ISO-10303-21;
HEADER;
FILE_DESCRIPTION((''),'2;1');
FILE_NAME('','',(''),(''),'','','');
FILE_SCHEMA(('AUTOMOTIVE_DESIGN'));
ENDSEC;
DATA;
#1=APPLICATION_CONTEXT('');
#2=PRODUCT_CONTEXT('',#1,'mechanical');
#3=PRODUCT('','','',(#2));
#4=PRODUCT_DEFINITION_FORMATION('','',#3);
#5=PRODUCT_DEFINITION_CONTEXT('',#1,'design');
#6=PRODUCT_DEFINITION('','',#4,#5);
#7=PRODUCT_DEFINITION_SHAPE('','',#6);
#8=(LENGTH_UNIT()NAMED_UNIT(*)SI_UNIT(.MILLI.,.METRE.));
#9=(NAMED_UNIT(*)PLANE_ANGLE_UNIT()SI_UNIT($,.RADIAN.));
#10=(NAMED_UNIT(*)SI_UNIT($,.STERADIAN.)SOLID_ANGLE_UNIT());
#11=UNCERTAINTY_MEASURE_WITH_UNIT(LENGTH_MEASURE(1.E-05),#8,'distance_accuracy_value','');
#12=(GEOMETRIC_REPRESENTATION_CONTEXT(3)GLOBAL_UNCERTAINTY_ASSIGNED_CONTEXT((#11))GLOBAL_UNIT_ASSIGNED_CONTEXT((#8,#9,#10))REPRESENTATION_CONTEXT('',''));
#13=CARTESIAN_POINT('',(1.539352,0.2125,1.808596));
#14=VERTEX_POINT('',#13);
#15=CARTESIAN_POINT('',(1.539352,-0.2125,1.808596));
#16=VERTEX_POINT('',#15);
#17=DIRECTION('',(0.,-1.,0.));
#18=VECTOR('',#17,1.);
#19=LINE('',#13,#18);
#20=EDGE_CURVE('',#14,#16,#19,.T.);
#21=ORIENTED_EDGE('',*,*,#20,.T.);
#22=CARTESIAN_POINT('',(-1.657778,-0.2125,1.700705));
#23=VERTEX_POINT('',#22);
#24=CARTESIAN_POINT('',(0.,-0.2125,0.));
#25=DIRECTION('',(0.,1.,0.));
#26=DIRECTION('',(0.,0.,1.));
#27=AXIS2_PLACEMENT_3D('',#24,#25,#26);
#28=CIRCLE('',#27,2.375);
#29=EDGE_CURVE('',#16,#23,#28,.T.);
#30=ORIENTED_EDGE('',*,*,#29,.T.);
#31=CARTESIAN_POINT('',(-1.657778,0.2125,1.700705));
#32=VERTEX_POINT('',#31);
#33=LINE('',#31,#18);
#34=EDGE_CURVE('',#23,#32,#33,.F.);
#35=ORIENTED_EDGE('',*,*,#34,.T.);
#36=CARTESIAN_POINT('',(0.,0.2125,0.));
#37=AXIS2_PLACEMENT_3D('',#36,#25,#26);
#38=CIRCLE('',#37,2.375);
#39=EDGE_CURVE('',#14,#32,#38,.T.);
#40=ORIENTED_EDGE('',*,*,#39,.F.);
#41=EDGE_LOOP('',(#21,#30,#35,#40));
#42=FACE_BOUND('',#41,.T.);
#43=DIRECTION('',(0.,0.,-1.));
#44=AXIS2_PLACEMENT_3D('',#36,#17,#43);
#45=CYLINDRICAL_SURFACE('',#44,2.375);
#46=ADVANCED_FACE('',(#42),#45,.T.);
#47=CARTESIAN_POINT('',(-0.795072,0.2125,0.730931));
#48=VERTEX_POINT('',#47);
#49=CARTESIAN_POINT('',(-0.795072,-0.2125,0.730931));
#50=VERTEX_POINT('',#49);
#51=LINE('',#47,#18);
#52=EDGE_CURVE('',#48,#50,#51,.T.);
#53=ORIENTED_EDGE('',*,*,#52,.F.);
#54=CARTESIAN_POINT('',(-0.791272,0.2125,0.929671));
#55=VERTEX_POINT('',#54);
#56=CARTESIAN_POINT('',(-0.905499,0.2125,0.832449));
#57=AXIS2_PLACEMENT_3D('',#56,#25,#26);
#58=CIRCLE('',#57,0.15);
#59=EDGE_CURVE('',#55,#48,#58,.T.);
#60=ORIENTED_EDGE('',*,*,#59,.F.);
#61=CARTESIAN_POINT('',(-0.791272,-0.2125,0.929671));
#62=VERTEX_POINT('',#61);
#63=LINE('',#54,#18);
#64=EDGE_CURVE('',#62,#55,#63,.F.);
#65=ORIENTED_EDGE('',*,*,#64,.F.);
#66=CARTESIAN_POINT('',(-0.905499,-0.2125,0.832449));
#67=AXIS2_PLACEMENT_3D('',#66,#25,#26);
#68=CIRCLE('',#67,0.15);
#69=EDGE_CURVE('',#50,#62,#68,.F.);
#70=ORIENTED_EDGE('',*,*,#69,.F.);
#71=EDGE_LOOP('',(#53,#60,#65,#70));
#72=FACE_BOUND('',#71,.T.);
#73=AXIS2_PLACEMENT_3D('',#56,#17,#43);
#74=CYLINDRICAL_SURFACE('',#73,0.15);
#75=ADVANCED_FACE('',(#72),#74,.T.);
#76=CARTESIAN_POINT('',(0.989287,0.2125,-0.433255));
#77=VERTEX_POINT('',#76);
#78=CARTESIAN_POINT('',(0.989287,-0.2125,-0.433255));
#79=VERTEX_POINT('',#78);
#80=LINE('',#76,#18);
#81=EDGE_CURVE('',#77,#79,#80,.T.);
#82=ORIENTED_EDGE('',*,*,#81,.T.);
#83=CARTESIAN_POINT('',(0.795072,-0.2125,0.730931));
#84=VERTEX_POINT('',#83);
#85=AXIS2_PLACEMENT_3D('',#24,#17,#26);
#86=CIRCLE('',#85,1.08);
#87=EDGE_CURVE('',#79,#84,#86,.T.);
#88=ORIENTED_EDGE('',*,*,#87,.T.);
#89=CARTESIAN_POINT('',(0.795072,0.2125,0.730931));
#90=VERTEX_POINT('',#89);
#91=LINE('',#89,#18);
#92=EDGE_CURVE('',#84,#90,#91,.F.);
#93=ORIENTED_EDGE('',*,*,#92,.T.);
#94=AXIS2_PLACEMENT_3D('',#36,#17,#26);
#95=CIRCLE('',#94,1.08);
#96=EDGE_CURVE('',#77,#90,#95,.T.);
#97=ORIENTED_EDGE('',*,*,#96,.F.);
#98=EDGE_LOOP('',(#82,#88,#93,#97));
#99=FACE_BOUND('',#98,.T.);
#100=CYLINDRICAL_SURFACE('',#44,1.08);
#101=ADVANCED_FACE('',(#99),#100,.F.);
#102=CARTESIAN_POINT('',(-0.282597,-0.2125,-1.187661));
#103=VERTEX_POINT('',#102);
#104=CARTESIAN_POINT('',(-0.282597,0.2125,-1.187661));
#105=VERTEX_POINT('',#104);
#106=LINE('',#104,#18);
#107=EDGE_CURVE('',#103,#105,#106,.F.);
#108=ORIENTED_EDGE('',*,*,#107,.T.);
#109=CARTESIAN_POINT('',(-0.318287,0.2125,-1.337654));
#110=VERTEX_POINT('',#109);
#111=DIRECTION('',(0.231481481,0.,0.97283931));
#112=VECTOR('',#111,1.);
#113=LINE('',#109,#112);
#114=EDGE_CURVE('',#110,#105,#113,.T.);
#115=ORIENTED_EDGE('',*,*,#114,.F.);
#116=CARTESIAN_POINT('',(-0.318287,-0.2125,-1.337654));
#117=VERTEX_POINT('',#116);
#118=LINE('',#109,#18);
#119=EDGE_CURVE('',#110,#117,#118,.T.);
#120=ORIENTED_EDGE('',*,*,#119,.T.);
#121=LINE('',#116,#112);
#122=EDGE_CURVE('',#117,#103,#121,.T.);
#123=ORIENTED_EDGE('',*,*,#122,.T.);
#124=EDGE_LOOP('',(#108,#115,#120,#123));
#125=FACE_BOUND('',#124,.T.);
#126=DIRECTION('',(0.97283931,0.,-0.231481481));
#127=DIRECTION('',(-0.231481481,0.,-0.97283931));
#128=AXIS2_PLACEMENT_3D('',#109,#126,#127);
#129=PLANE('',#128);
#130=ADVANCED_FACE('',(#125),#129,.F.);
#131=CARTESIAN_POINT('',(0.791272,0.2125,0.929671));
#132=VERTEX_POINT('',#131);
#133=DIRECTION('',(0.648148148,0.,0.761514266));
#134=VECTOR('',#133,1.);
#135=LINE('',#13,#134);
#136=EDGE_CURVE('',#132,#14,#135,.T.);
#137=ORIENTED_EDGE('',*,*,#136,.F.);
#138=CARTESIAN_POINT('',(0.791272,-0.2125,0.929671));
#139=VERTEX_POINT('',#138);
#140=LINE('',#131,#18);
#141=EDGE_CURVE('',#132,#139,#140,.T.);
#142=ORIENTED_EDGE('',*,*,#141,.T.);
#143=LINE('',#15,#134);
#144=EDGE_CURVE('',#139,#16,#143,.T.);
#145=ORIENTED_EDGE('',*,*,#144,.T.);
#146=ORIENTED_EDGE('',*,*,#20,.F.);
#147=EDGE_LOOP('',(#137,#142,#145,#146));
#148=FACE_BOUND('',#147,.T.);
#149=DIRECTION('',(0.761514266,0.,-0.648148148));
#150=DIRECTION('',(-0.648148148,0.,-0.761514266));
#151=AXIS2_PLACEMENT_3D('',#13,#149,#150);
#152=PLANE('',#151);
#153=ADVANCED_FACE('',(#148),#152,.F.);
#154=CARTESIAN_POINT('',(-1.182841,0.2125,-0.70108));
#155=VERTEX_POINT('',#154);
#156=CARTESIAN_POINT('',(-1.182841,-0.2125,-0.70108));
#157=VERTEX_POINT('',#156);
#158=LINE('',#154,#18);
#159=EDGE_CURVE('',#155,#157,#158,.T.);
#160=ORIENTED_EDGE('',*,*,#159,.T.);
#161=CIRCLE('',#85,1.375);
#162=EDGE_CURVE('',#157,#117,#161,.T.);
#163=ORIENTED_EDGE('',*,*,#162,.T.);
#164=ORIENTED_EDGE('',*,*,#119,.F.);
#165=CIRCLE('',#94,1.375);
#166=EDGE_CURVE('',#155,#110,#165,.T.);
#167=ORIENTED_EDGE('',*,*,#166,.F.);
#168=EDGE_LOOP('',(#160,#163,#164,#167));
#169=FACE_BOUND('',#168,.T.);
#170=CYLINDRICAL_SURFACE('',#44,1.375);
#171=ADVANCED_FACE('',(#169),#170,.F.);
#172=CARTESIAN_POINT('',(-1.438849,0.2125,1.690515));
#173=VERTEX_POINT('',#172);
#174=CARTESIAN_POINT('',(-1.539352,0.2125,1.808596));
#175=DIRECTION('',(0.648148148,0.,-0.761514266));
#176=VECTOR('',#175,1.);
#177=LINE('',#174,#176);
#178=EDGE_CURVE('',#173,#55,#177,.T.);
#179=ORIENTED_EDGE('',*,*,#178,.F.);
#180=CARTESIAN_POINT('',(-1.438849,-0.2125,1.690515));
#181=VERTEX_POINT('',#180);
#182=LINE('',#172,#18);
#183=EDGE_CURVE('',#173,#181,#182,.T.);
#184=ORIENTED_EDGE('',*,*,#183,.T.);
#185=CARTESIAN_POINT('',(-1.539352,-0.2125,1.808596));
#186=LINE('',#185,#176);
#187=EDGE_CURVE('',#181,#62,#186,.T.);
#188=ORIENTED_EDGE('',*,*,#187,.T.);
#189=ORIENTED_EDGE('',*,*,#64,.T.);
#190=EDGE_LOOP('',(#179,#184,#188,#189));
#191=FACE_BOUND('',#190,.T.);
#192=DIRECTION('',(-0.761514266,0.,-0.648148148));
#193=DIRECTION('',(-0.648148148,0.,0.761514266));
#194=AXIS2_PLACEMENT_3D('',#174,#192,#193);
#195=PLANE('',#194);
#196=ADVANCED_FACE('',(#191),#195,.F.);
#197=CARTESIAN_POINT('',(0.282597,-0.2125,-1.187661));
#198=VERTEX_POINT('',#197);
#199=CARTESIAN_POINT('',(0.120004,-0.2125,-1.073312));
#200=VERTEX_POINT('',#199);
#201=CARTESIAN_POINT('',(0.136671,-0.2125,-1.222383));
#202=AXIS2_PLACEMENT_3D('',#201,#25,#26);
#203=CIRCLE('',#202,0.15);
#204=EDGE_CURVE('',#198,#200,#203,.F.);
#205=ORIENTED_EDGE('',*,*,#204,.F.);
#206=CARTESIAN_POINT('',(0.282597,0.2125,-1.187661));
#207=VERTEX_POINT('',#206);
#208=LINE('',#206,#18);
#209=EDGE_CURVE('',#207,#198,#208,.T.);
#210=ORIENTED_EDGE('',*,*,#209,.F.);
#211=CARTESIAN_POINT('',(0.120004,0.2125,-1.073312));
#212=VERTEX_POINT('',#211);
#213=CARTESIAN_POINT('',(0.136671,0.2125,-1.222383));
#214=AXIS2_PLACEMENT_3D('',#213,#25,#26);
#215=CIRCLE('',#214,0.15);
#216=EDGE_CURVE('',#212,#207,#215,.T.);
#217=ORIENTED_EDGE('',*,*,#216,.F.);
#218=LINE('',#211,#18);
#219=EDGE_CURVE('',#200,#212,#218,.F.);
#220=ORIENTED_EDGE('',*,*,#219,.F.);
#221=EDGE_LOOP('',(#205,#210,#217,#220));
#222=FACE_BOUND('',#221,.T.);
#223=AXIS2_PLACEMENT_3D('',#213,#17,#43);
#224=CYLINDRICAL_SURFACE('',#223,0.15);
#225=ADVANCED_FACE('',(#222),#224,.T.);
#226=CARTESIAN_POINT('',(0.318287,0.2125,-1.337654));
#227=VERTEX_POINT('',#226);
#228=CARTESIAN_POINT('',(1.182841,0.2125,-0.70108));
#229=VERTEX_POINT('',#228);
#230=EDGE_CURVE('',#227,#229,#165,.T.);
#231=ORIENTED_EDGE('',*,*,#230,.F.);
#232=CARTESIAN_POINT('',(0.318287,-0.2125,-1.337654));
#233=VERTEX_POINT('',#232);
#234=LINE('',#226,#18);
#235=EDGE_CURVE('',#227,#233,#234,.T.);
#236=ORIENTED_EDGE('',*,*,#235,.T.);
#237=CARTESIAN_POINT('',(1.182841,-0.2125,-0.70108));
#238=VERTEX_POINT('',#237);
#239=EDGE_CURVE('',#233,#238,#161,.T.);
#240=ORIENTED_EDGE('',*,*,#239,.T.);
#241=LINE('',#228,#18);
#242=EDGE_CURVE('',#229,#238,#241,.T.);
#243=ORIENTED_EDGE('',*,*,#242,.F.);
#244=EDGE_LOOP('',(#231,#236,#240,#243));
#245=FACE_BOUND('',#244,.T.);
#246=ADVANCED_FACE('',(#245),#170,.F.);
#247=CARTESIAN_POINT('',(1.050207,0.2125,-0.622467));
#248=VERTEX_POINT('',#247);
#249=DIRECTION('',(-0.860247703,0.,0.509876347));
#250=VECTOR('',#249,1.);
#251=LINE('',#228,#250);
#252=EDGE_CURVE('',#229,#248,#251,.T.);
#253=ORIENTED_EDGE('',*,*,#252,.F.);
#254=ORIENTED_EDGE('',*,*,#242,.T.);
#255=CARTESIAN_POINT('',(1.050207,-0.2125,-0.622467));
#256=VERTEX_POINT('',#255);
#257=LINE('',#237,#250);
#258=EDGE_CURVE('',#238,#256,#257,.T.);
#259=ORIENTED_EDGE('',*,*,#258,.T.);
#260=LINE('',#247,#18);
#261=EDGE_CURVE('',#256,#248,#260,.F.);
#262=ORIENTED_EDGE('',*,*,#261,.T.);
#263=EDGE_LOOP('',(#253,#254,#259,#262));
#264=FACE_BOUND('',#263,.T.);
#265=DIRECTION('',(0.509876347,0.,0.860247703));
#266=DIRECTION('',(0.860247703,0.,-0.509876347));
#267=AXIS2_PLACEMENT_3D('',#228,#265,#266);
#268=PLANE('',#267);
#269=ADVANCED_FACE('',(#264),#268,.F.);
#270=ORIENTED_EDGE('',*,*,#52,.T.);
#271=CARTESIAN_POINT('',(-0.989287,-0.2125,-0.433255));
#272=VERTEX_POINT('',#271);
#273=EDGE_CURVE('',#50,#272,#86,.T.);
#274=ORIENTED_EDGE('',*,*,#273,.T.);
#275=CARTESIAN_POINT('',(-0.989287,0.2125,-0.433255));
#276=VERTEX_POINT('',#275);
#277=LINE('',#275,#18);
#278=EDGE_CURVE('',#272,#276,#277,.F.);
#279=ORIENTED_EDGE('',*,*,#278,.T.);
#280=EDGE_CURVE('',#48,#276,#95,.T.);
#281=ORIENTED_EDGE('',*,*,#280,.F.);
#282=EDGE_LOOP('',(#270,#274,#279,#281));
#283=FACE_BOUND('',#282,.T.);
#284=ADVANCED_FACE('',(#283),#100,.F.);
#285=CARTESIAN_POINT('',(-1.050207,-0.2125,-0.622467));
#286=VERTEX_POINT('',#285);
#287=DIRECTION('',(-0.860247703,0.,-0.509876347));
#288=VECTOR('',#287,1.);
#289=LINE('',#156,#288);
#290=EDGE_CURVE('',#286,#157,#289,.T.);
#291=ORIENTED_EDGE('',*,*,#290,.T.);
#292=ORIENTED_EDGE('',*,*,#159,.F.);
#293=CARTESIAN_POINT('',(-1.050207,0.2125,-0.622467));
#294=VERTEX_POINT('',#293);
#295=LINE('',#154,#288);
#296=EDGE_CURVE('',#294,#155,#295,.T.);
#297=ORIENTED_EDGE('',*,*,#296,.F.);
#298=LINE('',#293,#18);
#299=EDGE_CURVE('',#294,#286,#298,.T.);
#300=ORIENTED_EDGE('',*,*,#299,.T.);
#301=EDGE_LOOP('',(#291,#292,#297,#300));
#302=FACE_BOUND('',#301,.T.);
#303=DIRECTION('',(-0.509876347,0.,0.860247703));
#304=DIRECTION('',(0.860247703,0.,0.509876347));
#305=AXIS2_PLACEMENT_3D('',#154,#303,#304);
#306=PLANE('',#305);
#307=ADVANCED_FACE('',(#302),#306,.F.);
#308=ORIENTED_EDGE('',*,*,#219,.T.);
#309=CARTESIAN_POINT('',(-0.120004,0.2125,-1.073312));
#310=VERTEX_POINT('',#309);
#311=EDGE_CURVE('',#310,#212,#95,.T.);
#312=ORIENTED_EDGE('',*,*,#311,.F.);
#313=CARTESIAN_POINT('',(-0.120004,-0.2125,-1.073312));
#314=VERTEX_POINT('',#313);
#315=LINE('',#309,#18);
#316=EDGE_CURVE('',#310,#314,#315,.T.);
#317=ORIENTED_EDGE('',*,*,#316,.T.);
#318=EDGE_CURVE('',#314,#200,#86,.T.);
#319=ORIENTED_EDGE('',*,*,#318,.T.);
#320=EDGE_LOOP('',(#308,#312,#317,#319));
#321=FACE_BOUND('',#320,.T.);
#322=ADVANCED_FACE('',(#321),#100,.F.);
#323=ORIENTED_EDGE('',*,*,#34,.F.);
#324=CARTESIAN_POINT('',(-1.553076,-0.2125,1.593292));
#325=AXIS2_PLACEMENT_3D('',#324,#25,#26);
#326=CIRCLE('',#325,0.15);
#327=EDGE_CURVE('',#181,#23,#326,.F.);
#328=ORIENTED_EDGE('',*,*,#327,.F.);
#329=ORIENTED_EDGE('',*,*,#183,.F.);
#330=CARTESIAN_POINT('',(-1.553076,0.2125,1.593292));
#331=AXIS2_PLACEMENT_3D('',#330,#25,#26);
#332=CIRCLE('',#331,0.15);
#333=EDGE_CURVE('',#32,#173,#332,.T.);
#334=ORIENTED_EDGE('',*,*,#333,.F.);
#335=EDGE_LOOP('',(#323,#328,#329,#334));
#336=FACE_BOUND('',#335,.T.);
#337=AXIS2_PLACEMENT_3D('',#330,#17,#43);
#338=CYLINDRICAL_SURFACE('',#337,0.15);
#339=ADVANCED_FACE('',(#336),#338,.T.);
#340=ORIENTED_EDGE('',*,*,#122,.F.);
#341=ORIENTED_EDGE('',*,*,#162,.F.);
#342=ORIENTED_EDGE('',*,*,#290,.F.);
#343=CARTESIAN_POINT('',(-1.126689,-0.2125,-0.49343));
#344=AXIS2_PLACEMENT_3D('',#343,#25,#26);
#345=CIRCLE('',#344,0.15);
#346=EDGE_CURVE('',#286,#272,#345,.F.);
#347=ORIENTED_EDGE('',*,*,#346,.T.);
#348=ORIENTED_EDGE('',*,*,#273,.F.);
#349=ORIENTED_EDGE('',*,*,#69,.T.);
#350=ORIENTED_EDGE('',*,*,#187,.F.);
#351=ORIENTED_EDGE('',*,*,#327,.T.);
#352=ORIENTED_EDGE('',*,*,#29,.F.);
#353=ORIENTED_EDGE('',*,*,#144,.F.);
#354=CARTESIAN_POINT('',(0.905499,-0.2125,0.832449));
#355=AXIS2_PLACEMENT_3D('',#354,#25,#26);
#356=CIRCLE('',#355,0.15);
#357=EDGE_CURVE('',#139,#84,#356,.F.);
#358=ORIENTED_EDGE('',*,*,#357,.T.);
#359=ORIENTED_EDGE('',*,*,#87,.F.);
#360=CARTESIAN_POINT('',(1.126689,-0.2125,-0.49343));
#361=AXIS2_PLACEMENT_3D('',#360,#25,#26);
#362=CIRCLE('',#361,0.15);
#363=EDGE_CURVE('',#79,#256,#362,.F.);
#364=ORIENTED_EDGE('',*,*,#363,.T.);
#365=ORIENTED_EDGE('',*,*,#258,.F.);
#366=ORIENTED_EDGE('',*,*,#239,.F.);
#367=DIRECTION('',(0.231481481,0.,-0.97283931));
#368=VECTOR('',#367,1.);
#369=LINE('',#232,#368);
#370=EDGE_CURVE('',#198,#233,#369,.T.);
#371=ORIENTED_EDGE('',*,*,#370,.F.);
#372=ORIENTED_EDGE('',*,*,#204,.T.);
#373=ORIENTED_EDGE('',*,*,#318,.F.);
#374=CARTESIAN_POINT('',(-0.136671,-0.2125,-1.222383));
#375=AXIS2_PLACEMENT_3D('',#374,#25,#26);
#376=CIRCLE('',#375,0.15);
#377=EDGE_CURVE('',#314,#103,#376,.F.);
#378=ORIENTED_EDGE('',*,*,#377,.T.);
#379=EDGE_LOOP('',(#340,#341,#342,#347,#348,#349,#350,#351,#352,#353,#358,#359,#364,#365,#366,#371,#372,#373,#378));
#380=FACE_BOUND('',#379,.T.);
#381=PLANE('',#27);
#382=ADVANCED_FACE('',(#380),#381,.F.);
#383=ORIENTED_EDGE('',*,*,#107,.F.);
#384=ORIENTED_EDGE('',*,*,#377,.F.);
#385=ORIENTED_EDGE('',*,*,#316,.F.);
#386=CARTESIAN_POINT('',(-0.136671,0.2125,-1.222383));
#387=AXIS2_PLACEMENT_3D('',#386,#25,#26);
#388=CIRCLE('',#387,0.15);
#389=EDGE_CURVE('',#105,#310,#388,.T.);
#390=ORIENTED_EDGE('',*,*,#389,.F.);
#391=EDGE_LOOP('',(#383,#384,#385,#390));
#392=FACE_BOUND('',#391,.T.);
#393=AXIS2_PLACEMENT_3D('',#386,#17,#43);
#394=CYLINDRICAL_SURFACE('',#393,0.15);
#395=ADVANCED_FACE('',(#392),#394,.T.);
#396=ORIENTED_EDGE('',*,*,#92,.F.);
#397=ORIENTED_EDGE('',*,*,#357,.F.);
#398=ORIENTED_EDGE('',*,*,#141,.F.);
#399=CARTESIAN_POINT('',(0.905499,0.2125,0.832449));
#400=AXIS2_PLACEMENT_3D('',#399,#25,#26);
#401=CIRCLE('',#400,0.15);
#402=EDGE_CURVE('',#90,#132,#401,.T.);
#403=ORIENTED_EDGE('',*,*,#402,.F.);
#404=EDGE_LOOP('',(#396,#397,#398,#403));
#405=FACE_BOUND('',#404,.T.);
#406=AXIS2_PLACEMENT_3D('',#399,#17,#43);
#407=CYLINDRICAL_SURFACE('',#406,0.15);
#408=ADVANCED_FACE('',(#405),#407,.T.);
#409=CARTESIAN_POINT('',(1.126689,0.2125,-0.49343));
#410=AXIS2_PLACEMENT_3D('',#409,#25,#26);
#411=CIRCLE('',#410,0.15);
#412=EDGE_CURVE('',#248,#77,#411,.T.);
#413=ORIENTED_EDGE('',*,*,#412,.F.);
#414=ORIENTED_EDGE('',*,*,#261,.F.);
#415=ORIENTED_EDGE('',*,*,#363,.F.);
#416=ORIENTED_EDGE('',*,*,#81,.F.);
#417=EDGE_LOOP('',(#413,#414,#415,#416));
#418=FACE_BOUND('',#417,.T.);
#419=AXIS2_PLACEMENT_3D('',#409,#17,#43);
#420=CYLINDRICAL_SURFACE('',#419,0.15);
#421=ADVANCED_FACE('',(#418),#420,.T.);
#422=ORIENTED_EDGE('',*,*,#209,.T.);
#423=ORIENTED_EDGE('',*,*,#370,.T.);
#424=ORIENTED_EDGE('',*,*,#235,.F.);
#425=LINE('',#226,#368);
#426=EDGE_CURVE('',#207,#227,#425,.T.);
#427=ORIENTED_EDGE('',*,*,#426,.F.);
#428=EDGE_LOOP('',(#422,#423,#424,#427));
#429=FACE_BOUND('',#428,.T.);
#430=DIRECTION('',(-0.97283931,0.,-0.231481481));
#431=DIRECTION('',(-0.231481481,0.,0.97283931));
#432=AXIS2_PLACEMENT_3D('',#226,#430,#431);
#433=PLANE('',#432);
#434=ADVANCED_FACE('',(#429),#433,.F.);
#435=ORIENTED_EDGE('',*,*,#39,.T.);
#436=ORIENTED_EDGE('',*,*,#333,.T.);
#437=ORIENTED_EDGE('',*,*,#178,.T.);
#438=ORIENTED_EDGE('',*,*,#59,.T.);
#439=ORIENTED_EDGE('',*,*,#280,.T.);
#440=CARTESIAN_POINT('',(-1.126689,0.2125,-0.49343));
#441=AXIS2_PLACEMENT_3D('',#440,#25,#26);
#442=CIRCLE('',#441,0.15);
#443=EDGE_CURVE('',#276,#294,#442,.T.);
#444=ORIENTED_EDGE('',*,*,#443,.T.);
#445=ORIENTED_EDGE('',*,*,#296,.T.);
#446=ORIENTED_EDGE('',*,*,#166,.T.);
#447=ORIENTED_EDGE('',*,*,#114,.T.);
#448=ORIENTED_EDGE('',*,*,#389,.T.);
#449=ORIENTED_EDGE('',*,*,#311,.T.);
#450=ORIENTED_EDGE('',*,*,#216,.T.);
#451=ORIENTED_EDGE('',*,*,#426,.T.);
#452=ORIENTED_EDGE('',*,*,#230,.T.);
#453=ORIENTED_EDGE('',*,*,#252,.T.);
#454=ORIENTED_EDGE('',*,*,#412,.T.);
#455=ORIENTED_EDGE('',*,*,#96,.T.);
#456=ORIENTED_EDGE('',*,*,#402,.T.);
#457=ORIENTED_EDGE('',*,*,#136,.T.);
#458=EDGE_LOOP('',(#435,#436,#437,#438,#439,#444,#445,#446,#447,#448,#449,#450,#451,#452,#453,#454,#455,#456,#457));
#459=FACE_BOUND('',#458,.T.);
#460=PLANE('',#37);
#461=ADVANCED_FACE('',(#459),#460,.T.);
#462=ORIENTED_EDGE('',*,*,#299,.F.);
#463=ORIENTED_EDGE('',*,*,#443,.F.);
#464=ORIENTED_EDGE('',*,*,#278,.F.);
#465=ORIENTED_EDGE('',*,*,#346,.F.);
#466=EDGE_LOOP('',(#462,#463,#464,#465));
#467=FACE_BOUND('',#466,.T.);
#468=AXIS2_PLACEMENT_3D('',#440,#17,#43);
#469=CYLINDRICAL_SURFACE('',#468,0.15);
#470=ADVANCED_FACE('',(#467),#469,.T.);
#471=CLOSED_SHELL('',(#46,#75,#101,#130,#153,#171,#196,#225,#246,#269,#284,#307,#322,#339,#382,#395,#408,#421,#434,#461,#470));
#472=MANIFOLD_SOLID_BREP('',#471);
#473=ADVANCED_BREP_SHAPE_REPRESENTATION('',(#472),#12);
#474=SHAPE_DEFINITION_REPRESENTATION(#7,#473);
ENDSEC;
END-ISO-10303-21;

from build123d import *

# Parameters (mm, degrees)
BOSS_EXTRUDE1_DEPTH = 0.2125
FILLET1_R           = 0.15


with BuildPart() as part:
    # Sketch1 → Boss-Extrude1 (new, symmetric)
    with BuildSketch(Plane(origin=(0, 0, 0), x_dir=(1, 0, 0), z_dir=(0, 1, 0))):
        with BuildLine():
            Line((-0.318287037, 1.337654052), (-0.25, 1.050666455))
            ThreePointArc((-0.25, 1.050666455), (0, 1.08), (0.25, 1.050666455))
            Line((0.25, 1.050666455), (0.318287037, 1.337654052))
            ThreePointArc((0.318287037, 1.337654052), (0.815262336, 1.107236345), (1.182840592, 0.701079978))
            Line((1.182840592, 0.701079978), (0.929067519, 0.550666455))
            ThreePointArc((0.929067519, 0.550666455), (1.065278098, -0.177714864), (0.7, -0.822435408))
            Line((0.7, -0.822435408), (1.539351852, -1.808596383))
            ThreePointArc((1.539351852, -1.808596383), (0, 2.375), (-1.539351852, -1.808596383))
            Line((-1.539351852, -1.808596383), (-0.7, -0.822435408))
            ThreePointArc((-0.7, -0.822435408), (-1.065278098, -0.177714864), (-0.929067519, 0.550666455))
            Line((-0.929067519, 0.550666455), (-1.182840592, 0.701079978))
            ThreePointArc((-1.182840592, 0.701079978), (-0.815262336, 1.107236345), (-0.318287037, 1.337654052))
        make_face()
    extrude(amount=BOSS_EXTRUDE1_DEPTH, both=True)

    # Fillet1
    fillet1_edges = [part.edges().sort_by_distance(p)[0] for p in [
        (-0.929067519, 0, -0.550666455),
        (-0.7, 0, 0.822435408),
        (-1.539351852, 0, 1.808596383),
        (0.7, 0, 0.822435408),
        (0.929067519, 0, -0.550666455),
        (0.25, 0, -1.050666455),
        (-0.25, 0, -1.050666455),
    ]]
    fillet(fillet1_edges, radius=FILLET1_R)


solid = part.part
